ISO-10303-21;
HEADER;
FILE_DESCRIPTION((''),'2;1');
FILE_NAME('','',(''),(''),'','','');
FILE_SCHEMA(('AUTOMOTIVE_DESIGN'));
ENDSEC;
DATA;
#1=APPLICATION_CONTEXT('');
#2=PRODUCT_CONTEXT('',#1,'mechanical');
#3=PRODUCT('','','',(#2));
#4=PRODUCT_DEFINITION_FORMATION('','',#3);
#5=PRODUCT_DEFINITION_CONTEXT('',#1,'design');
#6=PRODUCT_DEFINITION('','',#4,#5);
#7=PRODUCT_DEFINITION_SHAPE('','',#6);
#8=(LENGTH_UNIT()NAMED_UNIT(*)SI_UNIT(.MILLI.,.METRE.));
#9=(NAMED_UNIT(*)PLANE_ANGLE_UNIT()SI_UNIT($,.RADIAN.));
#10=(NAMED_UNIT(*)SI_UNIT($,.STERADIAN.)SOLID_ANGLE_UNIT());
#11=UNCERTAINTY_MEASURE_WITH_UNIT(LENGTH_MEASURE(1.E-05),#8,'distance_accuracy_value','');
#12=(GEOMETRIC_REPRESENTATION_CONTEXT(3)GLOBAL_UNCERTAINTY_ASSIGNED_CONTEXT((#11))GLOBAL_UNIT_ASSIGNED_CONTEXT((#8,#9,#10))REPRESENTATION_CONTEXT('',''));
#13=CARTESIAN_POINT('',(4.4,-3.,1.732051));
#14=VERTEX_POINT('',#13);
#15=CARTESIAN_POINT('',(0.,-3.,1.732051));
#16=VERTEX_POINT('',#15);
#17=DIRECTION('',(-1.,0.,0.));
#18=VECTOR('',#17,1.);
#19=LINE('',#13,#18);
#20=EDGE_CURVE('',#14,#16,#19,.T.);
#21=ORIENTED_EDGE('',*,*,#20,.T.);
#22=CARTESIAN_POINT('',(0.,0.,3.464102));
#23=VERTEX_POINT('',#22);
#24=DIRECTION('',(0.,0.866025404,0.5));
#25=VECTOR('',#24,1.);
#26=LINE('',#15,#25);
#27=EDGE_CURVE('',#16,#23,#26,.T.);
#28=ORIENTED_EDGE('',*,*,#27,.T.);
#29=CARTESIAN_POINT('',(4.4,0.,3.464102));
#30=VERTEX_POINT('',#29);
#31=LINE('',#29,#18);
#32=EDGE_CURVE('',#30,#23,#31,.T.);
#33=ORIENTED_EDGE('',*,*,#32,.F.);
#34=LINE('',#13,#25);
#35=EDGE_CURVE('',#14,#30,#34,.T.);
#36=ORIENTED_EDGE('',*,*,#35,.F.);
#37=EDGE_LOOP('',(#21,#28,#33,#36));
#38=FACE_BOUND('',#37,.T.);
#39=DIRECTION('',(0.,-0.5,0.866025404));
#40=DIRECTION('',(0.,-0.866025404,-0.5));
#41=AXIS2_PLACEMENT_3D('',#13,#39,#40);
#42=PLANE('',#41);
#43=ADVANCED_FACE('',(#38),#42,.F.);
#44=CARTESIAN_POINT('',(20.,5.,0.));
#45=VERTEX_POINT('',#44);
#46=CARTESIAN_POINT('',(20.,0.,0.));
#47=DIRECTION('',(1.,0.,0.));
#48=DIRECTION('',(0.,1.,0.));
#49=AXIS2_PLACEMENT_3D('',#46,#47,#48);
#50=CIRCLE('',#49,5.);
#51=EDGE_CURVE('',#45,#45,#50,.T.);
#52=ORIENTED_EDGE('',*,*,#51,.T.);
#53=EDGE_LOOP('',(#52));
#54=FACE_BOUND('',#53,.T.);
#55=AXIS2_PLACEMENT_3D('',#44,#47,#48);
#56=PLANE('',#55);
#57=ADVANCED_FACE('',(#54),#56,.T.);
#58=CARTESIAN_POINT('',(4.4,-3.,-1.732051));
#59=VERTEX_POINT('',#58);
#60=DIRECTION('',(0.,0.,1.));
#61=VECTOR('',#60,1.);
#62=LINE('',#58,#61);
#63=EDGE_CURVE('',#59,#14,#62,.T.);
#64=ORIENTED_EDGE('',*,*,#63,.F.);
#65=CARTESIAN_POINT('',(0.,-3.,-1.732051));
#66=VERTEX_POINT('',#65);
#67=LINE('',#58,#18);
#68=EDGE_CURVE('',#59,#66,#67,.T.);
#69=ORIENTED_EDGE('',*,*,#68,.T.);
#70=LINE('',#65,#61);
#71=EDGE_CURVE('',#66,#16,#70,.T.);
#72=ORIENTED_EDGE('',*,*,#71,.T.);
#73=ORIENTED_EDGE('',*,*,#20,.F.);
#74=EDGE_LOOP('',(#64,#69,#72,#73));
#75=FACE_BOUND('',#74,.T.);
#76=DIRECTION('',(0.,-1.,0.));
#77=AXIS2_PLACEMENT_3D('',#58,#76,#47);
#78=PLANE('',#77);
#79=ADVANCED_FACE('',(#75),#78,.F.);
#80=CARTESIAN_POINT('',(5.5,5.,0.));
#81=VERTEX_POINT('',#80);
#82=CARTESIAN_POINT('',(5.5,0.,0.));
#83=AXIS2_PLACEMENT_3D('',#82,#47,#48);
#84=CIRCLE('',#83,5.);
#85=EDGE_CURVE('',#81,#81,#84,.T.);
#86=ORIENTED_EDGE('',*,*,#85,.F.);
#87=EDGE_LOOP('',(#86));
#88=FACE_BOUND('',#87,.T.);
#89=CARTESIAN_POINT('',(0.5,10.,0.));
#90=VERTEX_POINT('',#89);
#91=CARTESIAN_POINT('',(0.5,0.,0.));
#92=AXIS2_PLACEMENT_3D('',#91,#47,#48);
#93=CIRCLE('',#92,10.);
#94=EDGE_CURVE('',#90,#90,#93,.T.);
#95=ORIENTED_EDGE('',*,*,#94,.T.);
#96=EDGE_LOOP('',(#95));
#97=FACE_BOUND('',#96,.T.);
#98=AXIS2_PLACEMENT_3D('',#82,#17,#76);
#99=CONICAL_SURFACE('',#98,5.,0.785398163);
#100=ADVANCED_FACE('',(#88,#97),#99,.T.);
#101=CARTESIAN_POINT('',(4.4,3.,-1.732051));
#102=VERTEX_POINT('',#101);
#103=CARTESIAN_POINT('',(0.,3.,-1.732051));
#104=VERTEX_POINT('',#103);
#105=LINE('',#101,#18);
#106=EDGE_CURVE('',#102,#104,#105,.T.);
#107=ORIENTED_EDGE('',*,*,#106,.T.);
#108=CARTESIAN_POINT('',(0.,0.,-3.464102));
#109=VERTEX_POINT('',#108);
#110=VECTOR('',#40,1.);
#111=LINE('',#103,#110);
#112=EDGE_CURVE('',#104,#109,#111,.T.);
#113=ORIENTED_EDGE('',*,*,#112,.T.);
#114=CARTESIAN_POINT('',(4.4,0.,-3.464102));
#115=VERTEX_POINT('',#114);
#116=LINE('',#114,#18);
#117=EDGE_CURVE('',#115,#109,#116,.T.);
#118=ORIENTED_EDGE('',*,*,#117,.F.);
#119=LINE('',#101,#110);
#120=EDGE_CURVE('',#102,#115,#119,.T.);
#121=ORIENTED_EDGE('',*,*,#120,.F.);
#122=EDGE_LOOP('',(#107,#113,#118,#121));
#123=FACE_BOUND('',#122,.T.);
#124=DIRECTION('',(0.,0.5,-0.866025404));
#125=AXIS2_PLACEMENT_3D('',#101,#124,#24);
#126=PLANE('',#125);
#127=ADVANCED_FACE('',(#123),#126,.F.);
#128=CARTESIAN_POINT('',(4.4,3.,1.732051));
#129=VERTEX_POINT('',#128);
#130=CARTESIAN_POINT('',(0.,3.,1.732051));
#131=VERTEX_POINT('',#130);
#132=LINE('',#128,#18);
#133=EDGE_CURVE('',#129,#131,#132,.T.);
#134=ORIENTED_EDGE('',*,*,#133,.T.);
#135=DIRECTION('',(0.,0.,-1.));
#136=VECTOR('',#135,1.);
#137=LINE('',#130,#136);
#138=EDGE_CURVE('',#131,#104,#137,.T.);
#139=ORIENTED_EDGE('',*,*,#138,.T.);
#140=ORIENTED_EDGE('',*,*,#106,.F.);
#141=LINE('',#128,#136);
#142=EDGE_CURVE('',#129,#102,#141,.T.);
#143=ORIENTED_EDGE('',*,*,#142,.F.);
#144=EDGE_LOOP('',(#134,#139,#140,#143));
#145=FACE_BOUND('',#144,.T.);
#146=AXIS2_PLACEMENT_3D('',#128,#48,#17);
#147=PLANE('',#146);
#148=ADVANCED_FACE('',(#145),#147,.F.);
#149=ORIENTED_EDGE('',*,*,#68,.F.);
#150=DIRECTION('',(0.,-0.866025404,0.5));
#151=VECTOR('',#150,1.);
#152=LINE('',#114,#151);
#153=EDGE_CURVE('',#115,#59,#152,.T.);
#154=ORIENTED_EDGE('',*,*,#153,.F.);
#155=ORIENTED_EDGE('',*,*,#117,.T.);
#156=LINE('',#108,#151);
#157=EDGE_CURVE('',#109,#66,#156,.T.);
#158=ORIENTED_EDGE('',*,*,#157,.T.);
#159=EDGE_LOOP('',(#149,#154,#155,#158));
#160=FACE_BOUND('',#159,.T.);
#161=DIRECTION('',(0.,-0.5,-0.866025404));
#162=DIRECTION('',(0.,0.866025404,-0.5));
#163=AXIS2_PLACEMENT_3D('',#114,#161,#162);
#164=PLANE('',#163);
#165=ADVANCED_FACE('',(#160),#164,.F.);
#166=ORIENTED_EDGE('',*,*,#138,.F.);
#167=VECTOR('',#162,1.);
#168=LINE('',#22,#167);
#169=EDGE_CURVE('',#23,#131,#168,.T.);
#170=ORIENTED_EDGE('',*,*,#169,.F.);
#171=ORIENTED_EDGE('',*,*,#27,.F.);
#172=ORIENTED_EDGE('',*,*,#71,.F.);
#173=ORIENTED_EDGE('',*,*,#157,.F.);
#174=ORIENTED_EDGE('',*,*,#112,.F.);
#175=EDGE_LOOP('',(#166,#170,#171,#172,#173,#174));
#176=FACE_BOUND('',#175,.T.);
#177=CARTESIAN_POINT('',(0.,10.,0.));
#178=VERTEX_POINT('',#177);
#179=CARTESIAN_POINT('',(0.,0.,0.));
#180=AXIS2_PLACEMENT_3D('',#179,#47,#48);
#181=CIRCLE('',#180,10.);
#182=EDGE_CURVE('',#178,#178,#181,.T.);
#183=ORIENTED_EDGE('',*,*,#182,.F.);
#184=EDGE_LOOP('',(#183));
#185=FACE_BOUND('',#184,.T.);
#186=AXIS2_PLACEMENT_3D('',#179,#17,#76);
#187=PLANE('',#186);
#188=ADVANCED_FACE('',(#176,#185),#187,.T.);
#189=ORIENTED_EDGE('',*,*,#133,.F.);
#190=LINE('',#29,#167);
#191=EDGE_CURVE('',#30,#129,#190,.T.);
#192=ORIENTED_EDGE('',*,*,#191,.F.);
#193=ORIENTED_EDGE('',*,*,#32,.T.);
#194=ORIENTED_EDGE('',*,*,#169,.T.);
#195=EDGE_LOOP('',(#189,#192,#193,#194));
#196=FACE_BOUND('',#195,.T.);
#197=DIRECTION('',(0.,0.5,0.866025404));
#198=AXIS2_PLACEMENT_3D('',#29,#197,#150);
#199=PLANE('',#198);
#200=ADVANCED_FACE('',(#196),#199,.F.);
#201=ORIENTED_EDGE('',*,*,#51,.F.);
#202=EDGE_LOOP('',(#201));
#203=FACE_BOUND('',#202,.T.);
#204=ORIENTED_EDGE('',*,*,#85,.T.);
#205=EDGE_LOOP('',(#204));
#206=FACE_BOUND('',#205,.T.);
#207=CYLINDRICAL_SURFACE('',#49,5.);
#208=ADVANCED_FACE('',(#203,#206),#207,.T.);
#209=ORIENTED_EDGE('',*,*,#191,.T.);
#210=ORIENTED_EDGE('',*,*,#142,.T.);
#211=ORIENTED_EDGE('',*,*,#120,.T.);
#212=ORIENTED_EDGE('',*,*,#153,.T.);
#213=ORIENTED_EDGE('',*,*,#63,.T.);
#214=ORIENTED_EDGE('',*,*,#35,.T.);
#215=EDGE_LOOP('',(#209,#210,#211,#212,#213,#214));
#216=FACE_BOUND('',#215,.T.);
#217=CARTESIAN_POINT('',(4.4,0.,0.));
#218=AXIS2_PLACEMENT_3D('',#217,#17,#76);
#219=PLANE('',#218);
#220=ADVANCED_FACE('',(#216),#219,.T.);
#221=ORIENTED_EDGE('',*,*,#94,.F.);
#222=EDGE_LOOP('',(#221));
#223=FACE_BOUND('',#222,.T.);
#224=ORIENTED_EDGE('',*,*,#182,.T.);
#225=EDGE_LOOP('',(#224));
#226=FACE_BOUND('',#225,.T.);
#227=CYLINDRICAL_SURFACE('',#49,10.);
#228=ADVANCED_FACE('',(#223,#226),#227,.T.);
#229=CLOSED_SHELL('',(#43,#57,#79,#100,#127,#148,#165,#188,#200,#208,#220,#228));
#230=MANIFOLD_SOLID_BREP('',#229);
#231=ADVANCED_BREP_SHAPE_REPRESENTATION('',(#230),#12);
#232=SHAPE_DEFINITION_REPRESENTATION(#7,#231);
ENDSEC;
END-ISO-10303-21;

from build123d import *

# Parameters (mm, degrees)
CUT_EXTRUDE1_DEPTH = 4.4


with BuildPart() as part:
    # Sketch1 → Revolve1 (revolve)
    with BuildSketch(Plane.XY):
        Polygon((0, 0), (0, 10), (0.5, 10), (5.5, 5), (20, 5), (20, 0), align=None)
    revolve(axis=Axis((20, 0, 0), (-1, 0, 0)))

    # Sketch2 → Cut-Extrude1 (cut)
    with BuildSketch(Plane.ZY):
        Polygon((1.732050808, 3), (-1.732050808, 3), (-3.464101615, 0), (-1.732050808, -3), (1.732050808, -3), (3.464101615, 0), align=None)
    extrude(amount=-CUT_EXTRUDE1_DEPTH, mode=Mode.SUBTRACT)


solid = part.part
